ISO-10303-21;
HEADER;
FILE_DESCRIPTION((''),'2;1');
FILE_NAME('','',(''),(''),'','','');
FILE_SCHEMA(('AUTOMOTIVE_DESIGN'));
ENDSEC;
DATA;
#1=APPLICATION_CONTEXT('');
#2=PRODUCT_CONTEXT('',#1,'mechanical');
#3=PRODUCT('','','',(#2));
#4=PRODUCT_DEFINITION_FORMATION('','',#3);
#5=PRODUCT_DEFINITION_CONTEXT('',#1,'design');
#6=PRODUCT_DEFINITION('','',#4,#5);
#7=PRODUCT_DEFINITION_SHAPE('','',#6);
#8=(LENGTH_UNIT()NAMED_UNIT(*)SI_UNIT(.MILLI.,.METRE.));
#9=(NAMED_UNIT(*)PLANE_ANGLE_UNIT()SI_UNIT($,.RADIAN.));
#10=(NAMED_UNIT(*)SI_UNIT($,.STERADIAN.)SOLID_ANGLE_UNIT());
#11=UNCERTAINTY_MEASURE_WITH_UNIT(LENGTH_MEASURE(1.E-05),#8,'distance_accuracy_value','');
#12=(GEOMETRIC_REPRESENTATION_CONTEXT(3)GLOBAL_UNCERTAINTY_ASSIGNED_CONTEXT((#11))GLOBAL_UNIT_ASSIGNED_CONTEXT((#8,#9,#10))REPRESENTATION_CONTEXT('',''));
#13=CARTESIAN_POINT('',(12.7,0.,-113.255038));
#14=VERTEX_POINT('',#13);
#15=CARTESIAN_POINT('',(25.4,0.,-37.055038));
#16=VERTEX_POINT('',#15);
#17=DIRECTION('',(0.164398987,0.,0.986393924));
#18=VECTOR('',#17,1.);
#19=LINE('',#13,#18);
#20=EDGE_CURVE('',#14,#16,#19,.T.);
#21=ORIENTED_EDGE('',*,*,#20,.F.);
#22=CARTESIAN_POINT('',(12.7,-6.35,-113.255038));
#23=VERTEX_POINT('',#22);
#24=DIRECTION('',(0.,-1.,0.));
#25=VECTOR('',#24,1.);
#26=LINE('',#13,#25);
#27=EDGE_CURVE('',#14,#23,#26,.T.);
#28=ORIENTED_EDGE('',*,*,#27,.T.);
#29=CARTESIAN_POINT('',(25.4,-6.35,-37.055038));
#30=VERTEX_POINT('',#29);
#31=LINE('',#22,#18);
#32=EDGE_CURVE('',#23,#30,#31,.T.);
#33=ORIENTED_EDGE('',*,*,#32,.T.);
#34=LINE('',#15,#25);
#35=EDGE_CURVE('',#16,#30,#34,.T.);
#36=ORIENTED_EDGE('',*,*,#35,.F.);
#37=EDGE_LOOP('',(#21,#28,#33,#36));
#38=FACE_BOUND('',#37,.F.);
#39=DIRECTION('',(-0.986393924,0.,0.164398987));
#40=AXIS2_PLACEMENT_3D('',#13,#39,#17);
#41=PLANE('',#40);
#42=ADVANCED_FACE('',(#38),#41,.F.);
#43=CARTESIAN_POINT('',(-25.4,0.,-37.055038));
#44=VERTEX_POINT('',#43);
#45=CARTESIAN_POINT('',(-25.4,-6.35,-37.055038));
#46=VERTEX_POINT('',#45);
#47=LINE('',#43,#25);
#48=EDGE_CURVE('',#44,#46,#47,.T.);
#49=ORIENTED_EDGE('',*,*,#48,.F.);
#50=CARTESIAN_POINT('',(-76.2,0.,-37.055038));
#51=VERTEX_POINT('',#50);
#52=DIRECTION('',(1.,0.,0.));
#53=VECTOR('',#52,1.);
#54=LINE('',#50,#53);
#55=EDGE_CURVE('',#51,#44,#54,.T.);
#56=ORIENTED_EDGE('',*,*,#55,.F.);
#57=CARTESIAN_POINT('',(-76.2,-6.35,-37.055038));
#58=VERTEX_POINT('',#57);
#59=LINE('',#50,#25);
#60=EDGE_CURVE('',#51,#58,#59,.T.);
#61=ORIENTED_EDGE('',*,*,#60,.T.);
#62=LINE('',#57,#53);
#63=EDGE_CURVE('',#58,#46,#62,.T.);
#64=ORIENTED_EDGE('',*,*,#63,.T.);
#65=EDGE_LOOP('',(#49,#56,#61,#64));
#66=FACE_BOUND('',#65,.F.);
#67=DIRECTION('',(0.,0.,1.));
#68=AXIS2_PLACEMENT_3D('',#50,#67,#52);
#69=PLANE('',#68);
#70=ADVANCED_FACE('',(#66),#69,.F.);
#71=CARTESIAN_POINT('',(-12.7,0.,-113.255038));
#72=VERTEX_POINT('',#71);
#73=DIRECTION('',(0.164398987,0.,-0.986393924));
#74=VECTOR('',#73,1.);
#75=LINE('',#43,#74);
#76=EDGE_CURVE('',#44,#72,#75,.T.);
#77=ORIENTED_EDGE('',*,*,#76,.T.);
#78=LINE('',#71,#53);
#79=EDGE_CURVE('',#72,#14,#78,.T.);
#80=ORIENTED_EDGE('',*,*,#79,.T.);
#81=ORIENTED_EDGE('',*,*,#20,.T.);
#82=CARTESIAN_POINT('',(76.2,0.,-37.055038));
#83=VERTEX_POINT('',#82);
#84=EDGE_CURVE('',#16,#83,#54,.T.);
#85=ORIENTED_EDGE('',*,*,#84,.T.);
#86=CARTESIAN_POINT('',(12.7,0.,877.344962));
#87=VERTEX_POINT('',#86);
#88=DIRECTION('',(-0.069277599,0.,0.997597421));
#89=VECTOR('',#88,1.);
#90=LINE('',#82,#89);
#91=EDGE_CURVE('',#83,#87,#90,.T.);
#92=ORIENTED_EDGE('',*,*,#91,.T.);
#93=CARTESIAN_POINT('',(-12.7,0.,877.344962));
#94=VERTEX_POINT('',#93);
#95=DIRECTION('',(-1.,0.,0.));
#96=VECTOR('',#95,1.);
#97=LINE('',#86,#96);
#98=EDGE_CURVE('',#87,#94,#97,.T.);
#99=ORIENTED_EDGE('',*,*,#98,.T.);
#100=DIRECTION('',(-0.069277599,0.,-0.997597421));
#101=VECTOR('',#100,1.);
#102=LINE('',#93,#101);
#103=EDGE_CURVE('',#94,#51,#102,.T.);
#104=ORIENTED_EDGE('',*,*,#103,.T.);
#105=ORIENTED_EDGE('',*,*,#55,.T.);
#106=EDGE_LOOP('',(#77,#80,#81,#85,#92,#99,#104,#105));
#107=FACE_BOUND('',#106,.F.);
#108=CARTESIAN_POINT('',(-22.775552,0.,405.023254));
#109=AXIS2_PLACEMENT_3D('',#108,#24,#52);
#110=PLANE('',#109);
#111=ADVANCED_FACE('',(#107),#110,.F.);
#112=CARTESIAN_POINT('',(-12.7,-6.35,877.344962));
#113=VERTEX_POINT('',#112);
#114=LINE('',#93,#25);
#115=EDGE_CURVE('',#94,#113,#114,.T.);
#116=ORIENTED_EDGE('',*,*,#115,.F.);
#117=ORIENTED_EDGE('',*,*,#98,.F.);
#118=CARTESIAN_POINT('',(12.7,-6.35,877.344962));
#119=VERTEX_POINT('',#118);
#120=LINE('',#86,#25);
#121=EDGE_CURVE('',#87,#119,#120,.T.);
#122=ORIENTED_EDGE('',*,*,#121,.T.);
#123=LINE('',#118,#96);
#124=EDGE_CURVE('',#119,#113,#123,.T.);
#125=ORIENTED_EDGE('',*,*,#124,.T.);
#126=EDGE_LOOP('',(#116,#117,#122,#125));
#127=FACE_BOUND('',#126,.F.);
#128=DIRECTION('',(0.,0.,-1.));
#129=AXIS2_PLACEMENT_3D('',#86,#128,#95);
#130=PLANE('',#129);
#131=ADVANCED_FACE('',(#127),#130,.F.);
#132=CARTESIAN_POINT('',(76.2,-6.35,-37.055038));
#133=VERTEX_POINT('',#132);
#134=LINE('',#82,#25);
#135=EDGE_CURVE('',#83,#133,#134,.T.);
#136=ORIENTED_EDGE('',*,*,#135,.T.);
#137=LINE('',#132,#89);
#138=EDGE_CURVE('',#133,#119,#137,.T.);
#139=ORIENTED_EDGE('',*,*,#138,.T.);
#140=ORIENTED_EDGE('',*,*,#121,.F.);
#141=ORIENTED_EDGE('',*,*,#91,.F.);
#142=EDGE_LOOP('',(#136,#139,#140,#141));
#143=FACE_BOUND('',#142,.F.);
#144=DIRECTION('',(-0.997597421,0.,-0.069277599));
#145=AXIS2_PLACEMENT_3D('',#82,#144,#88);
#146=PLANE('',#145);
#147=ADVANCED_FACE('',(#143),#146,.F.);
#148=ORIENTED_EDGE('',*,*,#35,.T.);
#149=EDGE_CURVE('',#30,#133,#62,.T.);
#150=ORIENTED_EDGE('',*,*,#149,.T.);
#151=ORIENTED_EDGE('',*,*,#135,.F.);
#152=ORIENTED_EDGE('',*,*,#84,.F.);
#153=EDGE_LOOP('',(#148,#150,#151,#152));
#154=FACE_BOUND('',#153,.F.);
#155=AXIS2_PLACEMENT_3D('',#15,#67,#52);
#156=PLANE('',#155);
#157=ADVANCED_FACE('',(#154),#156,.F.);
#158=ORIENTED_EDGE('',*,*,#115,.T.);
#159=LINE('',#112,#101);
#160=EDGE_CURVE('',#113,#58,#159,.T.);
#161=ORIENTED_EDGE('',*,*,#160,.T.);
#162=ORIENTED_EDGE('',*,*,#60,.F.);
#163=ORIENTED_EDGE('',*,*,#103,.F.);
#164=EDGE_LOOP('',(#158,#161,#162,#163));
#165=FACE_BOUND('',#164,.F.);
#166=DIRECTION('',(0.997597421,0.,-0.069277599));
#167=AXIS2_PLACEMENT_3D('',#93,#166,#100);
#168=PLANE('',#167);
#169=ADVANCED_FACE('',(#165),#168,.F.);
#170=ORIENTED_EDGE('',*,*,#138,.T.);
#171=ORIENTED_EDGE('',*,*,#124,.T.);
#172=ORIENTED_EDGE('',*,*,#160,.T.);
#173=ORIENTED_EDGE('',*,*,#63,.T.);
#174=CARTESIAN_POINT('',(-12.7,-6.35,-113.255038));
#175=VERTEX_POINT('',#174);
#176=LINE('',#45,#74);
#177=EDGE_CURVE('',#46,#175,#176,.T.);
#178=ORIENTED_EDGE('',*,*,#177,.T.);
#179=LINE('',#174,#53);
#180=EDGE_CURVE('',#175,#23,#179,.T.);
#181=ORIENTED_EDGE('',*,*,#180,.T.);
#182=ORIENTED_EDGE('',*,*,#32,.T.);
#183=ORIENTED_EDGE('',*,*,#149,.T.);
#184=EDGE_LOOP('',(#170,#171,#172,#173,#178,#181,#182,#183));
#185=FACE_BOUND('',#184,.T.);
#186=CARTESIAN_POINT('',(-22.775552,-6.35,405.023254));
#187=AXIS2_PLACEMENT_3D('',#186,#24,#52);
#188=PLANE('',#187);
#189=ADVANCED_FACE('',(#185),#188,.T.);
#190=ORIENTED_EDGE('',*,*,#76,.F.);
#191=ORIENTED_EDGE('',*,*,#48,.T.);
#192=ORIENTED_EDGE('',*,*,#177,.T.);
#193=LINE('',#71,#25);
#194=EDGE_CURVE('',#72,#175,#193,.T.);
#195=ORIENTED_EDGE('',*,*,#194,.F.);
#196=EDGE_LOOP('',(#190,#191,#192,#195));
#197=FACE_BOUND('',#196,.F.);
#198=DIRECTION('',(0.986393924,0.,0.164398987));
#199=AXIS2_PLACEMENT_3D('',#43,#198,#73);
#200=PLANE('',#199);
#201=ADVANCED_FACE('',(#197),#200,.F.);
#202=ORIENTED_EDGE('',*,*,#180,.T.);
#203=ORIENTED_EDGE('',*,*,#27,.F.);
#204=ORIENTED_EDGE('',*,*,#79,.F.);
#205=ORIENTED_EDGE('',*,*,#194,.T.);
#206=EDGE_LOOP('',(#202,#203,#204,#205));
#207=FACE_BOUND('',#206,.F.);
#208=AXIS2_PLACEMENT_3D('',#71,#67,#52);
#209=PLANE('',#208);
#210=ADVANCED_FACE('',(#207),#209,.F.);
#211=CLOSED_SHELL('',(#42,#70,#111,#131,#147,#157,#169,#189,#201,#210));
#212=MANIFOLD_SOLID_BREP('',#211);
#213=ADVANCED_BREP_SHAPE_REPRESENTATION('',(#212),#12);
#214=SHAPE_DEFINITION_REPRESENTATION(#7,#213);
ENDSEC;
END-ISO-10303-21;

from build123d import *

# Parameters (mm, degrees)
F1_DEPTH = 6.35


with BuildPart() as f1:
    # F0 (on Front) → F1 (new body)
    with BuildSketch(Plane.XZ):
        Polygon((0, -37.055038), (0, 877.344962), (-12.7, 877.344962), (-76.2, -37.055038), (-25.4, -37.055038), align=None)
        Polygon((12.7, 877.344962), (0, 877.344962), (0, -37.055038), (25.4, -37.055038), (76.2, -37.055038), align=None)
        Polygon((0, -113.255038), (0, -37.055038), (-25.4, -37.055038), (-12.7, -113.255038), align=None)
        Polygon((25.4, -37.055038), (0, -37.055038), (0, -113.255038), (12.7, -113.255038), align=None)
    extrude(amount=F1_DEPTH)


solid = f1.part
